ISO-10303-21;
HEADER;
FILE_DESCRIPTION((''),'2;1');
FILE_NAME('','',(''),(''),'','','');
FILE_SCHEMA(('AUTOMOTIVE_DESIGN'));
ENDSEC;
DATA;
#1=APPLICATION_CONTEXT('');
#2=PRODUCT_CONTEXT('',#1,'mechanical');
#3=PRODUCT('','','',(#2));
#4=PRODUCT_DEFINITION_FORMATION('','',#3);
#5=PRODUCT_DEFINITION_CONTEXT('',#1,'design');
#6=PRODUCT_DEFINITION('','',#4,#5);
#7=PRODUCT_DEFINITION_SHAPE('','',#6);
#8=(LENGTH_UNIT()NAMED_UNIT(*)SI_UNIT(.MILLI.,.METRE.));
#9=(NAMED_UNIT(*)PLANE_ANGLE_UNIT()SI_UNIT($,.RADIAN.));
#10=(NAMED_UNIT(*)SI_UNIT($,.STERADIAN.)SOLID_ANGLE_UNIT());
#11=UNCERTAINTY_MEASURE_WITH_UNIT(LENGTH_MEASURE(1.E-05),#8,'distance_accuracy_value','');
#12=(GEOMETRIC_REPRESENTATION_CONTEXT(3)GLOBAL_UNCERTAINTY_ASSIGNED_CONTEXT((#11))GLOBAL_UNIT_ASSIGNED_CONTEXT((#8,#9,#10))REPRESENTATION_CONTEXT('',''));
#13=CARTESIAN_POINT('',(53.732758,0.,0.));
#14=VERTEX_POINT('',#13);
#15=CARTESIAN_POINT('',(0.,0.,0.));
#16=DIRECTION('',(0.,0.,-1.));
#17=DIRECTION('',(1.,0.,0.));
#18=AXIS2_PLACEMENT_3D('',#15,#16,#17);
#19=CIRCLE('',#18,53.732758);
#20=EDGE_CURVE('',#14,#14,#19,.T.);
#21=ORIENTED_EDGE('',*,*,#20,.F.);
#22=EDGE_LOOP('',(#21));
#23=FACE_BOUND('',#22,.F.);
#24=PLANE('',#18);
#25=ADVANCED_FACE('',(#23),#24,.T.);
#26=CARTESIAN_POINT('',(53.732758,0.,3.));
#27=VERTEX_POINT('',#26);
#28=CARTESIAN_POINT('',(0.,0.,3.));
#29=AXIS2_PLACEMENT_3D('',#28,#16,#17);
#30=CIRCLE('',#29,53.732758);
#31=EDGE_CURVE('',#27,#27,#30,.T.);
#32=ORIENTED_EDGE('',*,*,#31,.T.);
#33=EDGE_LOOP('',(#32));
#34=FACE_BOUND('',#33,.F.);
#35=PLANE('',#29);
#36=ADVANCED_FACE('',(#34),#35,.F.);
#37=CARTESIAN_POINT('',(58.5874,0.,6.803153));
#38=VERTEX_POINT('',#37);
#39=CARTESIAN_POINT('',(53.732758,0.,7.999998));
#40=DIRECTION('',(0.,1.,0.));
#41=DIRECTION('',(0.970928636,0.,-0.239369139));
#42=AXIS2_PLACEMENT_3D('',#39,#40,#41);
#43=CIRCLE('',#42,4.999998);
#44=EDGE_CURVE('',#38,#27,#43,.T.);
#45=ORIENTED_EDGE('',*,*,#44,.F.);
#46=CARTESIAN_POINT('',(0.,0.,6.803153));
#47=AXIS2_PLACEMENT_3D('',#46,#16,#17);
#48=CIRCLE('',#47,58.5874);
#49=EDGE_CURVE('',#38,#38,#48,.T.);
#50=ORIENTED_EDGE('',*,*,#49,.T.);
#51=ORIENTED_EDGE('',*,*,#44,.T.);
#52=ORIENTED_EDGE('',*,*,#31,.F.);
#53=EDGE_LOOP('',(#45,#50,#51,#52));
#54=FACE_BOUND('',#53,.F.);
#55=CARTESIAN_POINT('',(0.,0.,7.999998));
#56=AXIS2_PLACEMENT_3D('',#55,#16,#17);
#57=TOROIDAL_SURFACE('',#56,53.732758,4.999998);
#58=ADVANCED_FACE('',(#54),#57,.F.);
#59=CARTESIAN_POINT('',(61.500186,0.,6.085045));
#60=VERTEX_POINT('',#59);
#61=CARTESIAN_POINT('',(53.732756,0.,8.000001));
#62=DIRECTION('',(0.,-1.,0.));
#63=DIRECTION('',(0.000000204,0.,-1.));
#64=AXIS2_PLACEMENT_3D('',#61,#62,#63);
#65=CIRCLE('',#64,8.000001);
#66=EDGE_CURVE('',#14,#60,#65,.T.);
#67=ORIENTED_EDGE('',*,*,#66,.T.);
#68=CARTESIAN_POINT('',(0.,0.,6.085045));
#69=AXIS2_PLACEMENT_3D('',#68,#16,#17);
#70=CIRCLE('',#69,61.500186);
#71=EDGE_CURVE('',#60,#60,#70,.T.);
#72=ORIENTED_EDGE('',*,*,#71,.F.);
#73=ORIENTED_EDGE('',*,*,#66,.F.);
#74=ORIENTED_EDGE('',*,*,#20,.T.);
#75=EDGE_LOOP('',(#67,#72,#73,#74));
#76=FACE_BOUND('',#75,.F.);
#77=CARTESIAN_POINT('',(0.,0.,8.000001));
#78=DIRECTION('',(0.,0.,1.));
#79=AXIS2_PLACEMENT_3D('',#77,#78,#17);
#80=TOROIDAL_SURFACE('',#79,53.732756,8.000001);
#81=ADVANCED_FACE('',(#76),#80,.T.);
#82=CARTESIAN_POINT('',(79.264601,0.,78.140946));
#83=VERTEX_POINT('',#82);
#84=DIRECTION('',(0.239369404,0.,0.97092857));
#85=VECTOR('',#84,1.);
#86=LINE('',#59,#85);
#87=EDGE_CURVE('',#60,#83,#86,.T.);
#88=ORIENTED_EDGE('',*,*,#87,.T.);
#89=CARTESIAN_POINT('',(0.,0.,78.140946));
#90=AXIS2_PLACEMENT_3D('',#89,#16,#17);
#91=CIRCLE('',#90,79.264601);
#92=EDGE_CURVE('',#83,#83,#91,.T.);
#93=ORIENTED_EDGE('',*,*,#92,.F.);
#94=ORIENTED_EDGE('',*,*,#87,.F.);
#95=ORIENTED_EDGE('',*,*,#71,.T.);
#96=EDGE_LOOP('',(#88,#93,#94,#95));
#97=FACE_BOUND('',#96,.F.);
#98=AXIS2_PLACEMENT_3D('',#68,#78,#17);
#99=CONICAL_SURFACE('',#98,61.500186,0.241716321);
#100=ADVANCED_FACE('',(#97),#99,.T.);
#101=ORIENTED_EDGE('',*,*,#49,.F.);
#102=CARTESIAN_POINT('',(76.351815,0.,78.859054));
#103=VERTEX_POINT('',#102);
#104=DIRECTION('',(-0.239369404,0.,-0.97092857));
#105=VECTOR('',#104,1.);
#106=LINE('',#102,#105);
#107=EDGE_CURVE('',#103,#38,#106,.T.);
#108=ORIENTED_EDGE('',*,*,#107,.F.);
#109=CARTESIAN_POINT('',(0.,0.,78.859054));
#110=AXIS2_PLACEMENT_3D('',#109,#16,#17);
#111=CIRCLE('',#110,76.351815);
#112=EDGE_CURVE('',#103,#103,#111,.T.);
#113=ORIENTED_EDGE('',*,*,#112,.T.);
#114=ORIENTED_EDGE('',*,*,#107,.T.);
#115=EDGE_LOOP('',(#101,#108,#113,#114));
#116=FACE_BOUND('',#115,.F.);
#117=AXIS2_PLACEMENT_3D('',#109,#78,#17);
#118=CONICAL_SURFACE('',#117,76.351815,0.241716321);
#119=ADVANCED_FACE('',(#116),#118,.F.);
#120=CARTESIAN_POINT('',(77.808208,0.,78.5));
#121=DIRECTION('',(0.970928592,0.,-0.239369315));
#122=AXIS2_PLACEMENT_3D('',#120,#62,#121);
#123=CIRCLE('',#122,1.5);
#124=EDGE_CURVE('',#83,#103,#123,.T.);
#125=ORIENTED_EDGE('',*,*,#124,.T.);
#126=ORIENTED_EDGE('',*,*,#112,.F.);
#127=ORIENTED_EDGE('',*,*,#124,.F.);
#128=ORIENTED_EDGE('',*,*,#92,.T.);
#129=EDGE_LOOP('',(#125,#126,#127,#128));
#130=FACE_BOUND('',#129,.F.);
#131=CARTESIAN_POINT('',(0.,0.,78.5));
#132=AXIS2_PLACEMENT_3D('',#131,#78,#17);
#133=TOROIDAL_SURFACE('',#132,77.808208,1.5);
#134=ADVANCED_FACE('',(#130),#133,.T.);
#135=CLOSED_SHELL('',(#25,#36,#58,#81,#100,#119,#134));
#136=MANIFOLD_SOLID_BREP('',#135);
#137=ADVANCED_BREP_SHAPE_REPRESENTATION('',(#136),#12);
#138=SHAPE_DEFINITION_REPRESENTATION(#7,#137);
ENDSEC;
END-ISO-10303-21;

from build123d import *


with BuildPart() as f1:
    # F0 (on Front) → F1 (revolve)
    with BuildSketch(Plane.XZ):
        with BuildLine():
            Line((0, 3), (0, 0))
            Line((0, 0), (53.732758, 0))
            ThreePointArc((53.732758, 0), (58.666334, 1.702396), (61.500186, 6.085045))
            Line((61.500186, 6.085045), (79.264601, 78.140946))
            ThreePointArc((79.264601, 78.140946), (78.167262, 79.956393), (76.351815, 78.859054))
            Line((76.351815, 78.859054), (58.5874, 6.803153))
            ThreePointArc((58.5874, 6.803153), (56.816243, 4.063997), (53.732758, 3))
            Line((53.732758, 3), (0, 3))
        make_face()
    revolve(axis=Axis((0, 0, 1.5), (0, 0, -1)))


solid = f1.part
